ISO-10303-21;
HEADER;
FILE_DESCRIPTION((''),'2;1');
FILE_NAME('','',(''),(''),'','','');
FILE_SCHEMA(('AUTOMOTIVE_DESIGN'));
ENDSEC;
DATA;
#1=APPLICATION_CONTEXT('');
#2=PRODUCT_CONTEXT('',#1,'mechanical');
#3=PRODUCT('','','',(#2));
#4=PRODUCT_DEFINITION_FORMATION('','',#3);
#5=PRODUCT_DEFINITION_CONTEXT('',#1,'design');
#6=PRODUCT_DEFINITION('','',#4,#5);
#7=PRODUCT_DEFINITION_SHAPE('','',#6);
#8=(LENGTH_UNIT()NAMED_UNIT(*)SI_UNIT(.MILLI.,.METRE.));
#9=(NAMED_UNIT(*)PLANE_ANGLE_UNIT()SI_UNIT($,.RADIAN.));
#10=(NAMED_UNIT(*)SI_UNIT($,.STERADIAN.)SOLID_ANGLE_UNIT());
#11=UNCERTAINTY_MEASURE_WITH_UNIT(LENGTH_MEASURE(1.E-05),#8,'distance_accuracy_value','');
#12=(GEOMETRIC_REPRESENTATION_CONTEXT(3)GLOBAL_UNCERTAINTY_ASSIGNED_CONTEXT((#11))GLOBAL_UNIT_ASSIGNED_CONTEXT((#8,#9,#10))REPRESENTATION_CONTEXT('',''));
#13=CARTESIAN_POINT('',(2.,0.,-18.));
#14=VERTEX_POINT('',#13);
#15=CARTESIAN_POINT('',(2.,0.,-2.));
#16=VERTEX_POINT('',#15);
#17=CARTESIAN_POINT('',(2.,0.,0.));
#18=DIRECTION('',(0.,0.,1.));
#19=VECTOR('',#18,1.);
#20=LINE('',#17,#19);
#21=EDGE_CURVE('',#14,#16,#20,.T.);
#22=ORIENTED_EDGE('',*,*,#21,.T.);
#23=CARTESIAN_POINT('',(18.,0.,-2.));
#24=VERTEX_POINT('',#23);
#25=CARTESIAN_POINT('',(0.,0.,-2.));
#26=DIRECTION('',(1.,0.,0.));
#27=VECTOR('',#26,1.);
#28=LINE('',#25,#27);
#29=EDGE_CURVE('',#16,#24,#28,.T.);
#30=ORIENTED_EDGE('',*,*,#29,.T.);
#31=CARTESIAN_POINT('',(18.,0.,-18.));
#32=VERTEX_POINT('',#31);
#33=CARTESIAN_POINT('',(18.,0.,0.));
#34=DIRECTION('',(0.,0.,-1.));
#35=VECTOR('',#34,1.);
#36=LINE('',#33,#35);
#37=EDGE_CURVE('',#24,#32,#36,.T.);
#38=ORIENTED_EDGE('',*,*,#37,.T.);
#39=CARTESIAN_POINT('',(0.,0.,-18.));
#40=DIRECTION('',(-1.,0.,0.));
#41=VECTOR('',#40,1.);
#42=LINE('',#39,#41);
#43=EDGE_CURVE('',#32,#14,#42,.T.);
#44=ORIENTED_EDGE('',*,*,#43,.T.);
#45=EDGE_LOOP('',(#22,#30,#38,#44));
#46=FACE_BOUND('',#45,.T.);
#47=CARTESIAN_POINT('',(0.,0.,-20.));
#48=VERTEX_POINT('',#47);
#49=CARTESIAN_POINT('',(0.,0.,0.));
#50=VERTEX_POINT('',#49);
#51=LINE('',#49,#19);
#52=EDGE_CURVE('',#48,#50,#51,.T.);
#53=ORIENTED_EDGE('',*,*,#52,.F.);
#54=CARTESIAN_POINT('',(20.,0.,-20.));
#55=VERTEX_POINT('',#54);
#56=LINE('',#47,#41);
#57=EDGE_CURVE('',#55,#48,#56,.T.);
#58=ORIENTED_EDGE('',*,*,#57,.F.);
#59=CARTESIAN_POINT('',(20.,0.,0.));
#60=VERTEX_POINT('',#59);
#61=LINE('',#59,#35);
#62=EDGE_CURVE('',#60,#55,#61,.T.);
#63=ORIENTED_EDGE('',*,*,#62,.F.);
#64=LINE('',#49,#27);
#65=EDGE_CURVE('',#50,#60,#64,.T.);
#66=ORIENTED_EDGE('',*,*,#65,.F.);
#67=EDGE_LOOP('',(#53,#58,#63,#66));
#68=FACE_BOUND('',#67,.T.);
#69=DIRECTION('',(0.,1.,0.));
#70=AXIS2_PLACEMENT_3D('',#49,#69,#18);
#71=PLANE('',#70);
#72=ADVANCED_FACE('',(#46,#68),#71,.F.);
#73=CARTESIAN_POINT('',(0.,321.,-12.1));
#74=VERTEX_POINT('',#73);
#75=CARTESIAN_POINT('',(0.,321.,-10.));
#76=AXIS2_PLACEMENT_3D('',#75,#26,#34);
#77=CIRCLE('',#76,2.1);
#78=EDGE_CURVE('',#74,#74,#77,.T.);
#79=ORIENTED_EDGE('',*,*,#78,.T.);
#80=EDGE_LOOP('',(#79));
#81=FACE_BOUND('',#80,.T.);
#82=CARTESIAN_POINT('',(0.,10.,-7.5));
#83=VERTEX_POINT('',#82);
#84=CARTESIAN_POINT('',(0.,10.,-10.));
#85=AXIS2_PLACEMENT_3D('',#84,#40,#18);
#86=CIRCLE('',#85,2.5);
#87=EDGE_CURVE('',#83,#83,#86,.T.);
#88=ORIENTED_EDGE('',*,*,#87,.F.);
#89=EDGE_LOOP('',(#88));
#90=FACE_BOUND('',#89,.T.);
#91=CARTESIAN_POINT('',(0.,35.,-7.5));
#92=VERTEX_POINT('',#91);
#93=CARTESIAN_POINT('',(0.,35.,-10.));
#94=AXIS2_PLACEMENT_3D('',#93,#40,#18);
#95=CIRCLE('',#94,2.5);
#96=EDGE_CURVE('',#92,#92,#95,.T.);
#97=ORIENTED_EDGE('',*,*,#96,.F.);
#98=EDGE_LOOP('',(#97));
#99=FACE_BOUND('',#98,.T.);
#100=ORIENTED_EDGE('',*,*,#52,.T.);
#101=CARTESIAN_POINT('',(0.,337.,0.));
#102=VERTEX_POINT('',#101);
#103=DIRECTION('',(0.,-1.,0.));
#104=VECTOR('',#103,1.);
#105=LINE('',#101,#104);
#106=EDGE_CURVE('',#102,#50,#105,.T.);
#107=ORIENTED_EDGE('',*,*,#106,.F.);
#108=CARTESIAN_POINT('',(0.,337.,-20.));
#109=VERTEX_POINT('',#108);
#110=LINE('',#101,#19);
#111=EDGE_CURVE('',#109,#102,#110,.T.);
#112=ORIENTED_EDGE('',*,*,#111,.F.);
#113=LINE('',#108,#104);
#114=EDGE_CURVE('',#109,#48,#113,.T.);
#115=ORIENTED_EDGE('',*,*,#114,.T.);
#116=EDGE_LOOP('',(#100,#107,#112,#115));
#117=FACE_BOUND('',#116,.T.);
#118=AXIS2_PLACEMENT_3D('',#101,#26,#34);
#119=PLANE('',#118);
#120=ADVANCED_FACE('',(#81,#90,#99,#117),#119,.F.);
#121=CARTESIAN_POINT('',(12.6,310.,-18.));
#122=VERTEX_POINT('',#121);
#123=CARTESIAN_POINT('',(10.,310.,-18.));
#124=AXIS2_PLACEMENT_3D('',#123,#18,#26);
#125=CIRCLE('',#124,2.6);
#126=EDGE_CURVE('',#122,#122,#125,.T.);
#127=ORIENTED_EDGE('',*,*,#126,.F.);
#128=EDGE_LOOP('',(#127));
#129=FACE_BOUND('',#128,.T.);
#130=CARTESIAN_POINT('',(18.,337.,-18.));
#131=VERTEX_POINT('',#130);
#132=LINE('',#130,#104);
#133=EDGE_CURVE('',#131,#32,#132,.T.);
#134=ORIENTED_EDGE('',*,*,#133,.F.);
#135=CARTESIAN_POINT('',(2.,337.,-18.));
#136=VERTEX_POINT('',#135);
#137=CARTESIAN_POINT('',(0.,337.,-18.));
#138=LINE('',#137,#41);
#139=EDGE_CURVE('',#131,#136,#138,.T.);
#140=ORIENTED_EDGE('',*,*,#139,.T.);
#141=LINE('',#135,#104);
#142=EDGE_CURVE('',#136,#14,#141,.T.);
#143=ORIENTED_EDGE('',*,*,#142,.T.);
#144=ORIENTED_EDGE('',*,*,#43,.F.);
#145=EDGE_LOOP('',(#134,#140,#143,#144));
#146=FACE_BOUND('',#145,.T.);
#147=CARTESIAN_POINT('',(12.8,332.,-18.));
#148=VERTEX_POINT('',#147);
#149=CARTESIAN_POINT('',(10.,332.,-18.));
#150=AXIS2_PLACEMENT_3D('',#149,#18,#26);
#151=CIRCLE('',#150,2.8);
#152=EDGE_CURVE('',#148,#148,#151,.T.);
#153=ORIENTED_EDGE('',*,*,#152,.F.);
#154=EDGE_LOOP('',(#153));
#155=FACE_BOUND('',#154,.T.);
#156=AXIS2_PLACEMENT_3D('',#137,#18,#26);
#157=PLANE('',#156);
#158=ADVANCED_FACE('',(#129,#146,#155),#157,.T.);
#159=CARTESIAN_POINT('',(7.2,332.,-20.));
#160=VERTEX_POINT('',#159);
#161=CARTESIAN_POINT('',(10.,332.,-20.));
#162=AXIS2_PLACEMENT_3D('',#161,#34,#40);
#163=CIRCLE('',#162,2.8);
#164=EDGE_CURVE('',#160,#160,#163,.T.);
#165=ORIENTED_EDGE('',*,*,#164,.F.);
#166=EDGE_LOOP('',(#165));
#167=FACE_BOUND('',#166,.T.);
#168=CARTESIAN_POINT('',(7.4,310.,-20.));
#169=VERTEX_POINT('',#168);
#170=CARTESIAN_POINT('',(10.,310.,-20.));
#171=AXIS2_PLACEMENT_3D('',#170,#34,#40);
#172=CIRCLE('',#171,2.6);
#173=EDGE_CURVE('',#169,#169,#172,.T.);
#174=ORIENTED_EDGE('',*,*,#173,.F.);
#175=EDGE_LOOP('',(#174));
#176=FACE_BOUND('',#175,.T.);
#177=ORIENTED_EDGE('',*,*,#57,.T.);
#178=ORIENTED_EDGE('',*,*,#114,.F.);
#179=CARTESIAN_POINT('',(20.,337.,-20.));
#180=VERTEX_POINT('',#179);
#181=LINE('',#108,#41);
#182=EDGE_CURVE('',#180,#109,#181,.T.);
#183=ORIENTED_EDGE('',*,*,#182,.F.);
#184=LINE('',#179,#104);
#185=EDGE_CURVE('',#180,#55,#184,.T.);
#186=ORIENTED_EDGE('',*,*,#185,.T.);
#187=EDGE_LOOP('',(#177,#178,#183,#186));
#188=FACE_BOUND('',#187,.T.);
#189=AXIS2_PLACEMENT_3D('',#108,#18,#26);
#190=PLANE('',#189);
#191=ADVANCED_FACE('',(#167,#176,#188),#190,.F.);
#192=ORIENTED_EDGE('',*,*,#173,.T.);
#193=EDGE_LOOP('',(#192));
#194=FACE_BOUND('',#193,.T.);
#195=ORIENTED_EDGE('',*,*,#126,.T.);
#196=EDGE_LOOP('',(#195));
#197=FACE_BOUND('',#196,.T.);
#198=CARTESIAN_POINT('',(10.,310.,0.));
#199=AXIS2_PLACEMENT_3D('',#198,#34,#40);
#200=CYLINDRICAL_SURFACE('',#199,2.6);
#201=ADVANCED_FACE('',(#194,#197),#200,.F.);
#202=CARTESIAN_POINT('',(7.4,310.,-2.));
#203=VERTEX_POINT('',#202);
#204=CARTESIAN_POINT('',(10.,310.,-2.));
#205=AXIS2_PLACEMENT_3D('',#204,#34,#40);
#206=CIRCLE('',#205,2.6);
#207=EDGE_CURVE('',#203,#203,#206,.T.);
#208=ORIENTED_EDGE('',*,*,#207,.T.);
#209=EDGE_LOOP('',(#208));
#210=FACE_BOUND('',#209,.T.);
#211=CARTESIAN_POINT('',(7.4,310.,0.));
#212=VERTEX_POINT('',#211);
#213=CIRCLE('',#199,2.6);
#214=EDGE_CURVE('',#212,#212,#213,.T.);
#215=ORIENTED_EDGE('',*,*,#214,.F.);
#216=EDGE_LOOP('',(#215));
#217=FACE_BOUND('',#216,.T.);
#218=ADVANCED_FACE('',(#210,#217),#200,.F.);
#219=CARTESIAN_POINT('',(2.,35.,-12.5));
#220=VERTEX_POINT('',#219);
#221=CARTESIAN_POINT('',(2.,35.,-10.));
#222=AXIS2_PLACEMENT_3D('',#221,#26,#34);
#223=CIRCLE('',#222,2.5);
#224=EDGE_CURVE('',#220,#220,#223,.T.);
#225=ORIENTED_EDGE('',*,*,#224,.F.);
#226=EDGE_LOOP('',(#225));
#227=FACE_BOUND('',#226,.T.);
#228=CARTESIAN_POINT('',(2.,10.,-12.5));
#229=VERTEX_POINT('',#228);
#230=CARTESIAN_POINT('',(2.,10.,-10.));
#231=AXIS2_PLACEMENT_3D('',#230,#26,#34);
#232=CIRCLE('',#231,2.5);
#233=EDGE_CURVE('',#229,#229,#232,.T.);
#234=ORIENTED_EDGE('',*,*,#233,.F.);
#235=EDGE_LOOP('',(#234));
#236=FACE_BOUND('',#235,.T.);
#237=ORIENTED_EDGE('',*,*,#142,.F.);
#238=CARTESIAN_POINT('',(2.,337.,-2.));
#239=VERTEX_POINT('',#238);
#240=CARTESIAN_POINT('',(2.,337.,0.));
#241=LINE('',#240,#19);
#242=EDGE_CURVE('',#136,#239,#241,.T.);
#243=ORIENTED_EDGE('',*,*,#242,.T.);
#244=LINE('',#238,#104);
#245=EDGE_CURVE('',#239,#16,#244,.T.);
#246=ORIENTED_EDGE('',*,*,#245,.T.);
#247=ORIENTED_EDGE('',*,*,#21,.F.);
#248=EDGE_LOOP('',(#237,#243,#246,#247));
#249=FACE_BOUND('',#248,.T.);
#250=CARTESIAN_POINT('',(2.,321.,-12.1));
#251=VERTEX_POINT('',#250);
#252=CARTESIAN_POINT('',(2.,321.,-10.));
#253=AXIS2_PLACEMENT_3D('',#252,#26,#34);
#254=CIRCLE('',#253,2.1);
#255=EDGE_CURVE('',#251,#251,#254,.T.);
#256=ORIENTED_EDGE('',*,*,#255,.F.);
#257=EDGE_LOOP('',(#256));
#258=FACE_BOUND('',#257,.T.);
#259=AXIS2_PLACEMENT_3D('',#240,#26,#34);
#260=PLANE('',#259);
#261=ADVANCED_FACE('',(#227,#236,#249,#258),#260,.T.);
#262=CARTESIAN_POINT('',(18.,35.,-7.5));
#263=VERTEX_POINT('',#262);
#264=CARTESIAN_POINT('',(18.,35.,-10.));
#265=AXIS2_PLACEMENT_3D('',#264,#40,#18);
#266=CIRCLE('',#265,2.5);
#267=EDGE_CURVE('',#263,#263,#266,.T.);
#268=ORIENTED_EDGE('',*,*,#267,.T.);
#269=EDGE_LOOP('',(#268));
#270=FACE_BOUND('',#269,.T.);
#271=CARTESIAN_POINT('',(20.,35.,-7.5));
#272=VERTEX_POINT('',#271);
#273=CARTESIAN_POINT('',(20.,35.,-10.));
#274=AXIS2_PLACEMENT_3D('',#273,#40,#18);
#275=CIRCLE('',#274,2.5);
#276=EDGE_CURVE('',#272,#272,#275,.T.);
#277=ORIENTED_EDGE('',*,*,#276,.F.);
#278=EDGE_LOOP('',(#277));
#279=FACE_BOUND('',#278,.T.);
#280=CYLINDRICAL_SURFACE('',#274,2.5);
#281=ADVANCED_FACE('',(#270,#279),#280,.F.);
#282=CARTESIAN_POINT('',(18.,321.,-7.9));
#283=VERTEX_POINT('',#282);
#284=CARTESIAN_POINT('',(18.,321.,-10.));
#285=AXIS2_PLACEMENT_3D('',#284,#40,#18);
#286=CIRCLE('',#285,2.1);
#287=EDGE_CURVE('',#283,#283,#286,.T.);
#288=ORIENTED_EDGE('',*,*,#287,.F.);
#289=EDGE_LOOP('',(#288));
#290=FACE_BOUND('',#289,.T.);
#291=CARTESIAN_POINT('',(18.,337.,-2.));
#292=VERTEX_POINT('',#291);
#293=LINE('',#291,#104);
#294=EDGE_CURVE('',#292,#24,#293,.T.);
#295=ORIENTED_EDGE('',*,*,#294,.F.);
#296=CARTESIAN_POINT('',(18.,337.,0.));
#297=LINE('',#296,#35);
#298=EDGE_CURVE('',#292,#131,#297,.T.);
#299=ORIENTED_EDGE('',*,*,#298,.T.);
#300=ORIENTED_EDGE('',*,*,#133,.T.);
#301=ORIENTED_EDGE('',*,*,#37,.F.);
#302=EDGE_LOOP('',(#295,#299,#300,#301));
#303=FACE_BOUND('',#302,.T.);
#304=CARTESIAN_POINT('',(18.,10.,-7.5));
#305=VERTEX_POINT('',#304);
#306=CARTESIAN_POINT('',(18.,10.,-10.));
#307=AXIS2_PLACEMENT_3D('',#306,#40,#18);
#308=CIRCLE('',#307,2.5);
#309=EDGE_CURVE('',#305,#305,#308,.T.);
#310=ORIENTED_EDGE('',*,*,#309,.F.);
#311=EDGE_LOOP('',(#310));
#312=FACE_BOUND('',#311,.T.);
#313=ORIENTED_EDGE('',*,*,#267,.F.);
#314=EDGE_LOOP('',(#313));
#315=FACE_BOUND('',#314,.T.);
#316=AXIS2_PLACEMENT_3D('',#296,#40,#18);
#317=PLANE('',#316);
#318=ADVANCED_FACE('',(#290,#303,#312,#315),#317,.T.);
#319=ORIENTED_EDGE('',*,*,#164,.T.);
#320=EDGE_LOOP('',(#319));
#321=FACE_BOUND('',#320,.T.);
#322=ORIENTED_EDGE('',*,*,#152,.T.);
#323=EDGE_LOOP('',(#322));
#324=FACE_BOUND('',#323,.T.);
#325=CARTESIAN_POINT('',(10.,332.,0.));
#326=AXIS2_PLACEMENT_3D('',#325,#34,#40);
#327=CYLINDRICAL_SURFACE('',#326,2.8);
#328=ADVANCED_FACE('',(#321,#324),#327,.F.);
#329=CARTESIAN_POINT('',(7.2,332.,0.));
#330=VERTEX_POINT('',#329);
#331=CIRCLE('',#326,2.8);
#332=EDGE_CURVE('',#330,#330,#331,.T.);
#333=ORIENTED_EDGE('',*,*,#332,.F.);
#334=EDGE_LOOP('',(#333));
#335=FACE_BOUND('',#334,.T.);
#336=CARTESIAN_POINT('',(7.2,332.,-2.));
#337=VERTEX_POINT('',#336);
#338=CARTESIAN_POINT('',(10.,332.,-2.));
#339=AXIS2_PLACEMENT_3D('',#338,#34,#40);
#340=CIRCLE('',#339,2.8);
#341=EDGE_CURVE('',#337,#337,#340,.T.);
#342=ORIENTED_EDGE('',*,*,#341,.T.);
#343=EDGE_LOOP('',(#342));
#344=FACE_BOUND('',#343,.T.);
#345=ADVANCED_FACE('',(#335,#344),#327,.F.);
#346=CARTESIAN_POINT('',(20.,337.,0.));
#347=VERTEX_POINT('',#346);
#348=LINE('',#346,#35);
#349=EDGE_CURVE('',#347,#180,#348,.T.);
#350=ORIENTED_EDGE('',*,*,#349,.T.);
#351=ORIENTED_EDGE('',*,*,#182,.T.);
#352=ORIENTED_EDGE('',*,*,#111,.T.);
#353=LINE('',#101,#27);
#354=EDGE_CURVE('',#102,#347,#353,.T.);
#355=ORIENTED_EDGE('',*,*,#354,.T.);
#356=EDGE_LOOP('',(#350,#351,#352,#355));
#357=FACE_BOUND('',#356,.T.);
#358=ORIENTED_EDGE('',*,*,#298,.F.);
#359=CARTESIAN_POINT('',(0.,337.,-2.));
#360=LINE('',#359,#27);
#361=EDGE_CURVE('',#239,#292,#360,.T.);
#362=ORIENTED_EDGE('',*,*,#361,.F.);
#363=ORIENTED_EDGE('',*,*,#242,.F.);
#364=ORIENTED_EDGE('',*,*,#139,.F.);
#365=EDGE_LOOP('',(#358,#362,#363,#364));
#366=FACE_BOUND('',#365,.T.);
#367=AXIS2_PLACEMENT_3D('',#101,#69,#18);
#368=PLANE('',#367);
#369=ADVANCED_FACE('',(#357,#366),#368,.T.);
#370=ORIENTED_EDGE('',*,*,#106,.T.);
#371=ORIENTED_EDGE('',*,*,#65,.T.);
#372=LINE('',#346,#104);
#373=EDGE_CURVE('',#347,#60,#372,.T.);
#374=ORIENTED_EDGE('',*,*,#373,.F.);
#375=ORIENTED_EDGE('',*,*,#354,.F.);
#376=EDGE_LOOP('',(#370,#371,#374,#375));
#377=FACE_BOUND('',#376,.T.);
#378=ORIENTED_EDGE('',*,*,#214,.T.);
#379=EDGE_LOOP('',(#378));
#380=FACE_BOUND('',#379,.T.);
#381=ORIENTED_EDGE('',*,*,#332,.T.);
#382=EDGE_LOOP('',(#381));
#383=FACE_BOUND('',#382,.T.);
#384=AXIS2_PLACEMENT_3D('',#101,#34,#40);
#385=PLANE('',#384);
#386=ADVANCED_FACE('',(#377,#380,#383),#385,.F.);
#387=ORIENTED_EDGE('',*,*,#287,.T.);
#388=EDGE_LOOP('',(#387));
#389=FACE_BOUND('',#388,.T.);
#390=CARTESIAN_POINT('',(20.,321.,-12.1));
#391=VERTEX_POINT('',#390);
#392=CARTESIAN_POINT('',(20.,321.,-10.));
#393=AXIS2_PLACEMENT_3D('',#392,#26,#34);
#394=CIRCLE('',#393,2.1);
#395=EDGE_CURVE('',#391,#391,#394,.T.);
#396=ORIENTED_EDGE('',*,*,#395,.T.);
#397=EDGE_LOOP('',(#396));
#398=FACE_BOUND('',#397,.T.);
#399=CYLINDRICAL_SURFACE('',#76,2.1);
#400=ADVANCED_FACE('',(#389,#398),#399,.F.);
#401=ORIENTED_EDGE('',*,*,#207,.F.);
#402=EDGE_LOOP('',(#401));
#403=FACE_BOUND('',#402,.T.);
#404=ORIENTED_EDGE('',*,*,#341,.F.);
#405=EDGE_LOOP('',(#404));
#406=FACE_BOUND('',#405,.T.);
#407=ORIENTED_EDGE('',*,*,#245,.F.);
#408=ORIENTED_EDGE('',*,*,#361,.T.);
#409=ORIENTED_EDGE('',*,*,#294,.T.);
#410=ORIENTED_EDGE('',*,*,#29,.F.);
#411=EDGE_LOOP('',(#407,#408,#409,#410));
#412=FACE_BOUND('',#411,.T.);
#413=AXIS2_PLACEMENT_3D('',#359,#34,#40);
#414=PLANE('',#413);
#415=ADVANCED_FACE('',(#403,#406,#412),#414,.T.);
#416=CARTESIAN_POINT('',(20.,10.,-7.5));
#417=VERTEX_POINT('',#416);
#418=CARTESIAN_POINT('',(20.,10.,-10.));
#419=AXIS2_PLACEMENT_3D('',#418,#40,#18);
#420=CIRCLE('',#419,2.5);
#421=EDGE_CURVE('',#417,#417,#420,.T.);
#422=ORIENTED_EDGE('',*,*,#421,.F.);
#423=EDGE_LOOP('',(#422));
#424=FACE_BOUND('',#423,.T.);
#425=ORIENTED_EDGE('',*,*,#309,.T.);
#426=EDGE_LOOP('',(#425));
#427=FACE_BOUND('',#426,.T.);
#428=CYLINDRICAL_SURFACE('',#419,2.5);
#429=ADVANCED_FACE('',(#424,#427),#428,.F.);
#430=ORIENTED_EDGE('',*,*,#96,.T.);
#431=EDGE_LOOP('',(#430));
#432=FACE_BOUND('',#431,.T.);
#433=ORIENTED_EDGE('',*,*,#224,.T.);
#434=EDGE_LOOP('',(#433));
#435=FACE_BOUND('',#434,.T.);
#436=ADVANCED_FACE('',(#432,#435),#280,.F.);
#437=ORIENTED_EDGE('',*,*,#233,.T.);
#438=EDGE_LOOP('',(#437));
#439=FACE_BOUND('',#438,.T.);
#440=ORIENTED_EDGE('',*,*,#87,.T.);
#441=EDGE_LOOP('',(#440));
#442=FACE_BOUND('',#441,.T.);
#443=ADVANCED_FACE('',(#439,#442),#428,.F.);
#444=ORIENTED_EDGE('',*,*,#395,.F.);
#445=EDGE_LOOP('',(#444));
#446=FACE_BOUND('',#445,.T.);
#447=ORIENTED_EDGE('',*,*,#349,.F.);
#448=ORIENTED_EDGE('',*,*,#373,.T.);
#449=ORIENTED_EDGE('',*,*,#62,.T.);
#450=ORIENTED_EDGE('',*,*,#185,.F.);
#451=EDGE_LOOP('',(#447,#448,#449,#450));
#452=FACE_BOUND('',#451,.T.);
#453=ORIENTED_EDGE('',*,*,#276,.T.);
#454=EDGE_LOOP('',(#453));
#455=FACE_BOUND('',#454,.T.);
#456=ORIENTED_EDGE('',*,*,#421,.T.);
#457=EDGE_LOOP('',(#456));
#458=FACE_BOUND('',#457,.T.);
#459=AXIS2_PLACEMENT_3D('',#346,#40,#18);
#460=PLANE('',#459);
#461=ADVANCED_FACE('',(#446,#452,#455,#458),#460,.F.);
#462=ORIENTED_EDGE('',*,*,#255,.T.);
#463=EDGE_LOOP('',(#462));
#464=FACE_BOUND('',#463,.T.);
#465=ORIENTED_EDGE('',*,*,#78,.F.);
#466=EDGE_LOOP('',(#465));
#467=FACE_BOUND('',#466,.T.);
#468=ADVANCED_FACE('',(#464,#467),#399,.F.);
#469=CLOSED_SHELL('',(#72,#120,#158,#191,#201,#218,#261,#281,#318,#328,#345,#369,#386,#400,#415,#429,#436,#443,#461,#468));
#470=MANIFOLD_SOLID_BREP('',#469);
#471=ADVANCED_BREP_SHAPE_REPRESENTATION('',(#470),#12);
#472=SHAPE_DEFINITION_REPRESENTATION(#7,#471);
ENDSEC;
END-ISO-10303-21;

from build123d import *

# Parameters (mm, degrees)
ESBO_O1_W             = 20
ESBO_O1_H             = 20
ESBO_O1_W_2           = 16
ESBO_O1_H_2           = 16
EXTRUS_O_FINA1_DEPTH  = 337
ESBO_O2_R             = 2.5
CORTE_EXTRUS_O1_DEPTH = 21
ESBO_O3_R             = 2.6
ESBO_O3_R_2           = 2.8
CORTE_EXTRUS_O2_DEPTH = 21
ESBO_O4_R             = 2.1
CORTE_EXTRUS_O3_DEPTH = 21


with BuildPart() as part:
    # Esboço1 → Extrusão-Fina1 (new body)
    with BuildSketch(Plane(origin=(0, 0, 0), x_dir=(1, 0, 0), z_dir=(0, 1, 0))):
        with Locations((10, 10)):
            Rectangle(ESBO_O1_W, ESBO_O1_H)
        with Locations((10, 10)):
            Rectangle(ESBO_O1_W_2, ESBO_O1_H_2, mode=Mode.SUBTRACT)
    extrude(amount=EXTRUS_O_FINA1_DEPTH)

    # Esboço2 → Corte-extrusão1 (cut, through all)
    with BuildSketch(Plane.ZY):
        with Locations((-10, 35)):
            Circle(ESBO_O2_R)
        with Locations((-10, 10)):
            Circle(ESBO_O2_R)
    extrude(amount=-CORTE_EXTRUS_O1_DEPTH, mode=Mode.SUBTRACT)

    # Esboço3 → Corte-extrusão2 (cut, through all)
    with BuildSketch(Plane(origin=(0, 0, -20), x_dir=(-1, 0, 0), z_dir=(0, 0, -1))):
        with Locations((-10, 310)):
            Circle(ESBO_O3_R)
        with Locations((-10, 332)):
            Circle(ESBO_O3_R_2)
    extrude(amount=-CORTE_EXTRUS_O2_DEPTH, mode=Mode.SUBTRACT)

    # Esboço4 → Corte-extrusão3 (cut, through all)
    with BuildSketch(Plane(origin=(20, 0, 0), x_dir=(0, 0, -1), z_dir=(1, 0, 0))):
        with Locations((10, 321)):
            Circle(ESBO_O4_R)
    extrude(amount=-CORTE_EXTRUS_O3_DEPTH, mode=Mode.SUBTRACT)


solid = part.part
